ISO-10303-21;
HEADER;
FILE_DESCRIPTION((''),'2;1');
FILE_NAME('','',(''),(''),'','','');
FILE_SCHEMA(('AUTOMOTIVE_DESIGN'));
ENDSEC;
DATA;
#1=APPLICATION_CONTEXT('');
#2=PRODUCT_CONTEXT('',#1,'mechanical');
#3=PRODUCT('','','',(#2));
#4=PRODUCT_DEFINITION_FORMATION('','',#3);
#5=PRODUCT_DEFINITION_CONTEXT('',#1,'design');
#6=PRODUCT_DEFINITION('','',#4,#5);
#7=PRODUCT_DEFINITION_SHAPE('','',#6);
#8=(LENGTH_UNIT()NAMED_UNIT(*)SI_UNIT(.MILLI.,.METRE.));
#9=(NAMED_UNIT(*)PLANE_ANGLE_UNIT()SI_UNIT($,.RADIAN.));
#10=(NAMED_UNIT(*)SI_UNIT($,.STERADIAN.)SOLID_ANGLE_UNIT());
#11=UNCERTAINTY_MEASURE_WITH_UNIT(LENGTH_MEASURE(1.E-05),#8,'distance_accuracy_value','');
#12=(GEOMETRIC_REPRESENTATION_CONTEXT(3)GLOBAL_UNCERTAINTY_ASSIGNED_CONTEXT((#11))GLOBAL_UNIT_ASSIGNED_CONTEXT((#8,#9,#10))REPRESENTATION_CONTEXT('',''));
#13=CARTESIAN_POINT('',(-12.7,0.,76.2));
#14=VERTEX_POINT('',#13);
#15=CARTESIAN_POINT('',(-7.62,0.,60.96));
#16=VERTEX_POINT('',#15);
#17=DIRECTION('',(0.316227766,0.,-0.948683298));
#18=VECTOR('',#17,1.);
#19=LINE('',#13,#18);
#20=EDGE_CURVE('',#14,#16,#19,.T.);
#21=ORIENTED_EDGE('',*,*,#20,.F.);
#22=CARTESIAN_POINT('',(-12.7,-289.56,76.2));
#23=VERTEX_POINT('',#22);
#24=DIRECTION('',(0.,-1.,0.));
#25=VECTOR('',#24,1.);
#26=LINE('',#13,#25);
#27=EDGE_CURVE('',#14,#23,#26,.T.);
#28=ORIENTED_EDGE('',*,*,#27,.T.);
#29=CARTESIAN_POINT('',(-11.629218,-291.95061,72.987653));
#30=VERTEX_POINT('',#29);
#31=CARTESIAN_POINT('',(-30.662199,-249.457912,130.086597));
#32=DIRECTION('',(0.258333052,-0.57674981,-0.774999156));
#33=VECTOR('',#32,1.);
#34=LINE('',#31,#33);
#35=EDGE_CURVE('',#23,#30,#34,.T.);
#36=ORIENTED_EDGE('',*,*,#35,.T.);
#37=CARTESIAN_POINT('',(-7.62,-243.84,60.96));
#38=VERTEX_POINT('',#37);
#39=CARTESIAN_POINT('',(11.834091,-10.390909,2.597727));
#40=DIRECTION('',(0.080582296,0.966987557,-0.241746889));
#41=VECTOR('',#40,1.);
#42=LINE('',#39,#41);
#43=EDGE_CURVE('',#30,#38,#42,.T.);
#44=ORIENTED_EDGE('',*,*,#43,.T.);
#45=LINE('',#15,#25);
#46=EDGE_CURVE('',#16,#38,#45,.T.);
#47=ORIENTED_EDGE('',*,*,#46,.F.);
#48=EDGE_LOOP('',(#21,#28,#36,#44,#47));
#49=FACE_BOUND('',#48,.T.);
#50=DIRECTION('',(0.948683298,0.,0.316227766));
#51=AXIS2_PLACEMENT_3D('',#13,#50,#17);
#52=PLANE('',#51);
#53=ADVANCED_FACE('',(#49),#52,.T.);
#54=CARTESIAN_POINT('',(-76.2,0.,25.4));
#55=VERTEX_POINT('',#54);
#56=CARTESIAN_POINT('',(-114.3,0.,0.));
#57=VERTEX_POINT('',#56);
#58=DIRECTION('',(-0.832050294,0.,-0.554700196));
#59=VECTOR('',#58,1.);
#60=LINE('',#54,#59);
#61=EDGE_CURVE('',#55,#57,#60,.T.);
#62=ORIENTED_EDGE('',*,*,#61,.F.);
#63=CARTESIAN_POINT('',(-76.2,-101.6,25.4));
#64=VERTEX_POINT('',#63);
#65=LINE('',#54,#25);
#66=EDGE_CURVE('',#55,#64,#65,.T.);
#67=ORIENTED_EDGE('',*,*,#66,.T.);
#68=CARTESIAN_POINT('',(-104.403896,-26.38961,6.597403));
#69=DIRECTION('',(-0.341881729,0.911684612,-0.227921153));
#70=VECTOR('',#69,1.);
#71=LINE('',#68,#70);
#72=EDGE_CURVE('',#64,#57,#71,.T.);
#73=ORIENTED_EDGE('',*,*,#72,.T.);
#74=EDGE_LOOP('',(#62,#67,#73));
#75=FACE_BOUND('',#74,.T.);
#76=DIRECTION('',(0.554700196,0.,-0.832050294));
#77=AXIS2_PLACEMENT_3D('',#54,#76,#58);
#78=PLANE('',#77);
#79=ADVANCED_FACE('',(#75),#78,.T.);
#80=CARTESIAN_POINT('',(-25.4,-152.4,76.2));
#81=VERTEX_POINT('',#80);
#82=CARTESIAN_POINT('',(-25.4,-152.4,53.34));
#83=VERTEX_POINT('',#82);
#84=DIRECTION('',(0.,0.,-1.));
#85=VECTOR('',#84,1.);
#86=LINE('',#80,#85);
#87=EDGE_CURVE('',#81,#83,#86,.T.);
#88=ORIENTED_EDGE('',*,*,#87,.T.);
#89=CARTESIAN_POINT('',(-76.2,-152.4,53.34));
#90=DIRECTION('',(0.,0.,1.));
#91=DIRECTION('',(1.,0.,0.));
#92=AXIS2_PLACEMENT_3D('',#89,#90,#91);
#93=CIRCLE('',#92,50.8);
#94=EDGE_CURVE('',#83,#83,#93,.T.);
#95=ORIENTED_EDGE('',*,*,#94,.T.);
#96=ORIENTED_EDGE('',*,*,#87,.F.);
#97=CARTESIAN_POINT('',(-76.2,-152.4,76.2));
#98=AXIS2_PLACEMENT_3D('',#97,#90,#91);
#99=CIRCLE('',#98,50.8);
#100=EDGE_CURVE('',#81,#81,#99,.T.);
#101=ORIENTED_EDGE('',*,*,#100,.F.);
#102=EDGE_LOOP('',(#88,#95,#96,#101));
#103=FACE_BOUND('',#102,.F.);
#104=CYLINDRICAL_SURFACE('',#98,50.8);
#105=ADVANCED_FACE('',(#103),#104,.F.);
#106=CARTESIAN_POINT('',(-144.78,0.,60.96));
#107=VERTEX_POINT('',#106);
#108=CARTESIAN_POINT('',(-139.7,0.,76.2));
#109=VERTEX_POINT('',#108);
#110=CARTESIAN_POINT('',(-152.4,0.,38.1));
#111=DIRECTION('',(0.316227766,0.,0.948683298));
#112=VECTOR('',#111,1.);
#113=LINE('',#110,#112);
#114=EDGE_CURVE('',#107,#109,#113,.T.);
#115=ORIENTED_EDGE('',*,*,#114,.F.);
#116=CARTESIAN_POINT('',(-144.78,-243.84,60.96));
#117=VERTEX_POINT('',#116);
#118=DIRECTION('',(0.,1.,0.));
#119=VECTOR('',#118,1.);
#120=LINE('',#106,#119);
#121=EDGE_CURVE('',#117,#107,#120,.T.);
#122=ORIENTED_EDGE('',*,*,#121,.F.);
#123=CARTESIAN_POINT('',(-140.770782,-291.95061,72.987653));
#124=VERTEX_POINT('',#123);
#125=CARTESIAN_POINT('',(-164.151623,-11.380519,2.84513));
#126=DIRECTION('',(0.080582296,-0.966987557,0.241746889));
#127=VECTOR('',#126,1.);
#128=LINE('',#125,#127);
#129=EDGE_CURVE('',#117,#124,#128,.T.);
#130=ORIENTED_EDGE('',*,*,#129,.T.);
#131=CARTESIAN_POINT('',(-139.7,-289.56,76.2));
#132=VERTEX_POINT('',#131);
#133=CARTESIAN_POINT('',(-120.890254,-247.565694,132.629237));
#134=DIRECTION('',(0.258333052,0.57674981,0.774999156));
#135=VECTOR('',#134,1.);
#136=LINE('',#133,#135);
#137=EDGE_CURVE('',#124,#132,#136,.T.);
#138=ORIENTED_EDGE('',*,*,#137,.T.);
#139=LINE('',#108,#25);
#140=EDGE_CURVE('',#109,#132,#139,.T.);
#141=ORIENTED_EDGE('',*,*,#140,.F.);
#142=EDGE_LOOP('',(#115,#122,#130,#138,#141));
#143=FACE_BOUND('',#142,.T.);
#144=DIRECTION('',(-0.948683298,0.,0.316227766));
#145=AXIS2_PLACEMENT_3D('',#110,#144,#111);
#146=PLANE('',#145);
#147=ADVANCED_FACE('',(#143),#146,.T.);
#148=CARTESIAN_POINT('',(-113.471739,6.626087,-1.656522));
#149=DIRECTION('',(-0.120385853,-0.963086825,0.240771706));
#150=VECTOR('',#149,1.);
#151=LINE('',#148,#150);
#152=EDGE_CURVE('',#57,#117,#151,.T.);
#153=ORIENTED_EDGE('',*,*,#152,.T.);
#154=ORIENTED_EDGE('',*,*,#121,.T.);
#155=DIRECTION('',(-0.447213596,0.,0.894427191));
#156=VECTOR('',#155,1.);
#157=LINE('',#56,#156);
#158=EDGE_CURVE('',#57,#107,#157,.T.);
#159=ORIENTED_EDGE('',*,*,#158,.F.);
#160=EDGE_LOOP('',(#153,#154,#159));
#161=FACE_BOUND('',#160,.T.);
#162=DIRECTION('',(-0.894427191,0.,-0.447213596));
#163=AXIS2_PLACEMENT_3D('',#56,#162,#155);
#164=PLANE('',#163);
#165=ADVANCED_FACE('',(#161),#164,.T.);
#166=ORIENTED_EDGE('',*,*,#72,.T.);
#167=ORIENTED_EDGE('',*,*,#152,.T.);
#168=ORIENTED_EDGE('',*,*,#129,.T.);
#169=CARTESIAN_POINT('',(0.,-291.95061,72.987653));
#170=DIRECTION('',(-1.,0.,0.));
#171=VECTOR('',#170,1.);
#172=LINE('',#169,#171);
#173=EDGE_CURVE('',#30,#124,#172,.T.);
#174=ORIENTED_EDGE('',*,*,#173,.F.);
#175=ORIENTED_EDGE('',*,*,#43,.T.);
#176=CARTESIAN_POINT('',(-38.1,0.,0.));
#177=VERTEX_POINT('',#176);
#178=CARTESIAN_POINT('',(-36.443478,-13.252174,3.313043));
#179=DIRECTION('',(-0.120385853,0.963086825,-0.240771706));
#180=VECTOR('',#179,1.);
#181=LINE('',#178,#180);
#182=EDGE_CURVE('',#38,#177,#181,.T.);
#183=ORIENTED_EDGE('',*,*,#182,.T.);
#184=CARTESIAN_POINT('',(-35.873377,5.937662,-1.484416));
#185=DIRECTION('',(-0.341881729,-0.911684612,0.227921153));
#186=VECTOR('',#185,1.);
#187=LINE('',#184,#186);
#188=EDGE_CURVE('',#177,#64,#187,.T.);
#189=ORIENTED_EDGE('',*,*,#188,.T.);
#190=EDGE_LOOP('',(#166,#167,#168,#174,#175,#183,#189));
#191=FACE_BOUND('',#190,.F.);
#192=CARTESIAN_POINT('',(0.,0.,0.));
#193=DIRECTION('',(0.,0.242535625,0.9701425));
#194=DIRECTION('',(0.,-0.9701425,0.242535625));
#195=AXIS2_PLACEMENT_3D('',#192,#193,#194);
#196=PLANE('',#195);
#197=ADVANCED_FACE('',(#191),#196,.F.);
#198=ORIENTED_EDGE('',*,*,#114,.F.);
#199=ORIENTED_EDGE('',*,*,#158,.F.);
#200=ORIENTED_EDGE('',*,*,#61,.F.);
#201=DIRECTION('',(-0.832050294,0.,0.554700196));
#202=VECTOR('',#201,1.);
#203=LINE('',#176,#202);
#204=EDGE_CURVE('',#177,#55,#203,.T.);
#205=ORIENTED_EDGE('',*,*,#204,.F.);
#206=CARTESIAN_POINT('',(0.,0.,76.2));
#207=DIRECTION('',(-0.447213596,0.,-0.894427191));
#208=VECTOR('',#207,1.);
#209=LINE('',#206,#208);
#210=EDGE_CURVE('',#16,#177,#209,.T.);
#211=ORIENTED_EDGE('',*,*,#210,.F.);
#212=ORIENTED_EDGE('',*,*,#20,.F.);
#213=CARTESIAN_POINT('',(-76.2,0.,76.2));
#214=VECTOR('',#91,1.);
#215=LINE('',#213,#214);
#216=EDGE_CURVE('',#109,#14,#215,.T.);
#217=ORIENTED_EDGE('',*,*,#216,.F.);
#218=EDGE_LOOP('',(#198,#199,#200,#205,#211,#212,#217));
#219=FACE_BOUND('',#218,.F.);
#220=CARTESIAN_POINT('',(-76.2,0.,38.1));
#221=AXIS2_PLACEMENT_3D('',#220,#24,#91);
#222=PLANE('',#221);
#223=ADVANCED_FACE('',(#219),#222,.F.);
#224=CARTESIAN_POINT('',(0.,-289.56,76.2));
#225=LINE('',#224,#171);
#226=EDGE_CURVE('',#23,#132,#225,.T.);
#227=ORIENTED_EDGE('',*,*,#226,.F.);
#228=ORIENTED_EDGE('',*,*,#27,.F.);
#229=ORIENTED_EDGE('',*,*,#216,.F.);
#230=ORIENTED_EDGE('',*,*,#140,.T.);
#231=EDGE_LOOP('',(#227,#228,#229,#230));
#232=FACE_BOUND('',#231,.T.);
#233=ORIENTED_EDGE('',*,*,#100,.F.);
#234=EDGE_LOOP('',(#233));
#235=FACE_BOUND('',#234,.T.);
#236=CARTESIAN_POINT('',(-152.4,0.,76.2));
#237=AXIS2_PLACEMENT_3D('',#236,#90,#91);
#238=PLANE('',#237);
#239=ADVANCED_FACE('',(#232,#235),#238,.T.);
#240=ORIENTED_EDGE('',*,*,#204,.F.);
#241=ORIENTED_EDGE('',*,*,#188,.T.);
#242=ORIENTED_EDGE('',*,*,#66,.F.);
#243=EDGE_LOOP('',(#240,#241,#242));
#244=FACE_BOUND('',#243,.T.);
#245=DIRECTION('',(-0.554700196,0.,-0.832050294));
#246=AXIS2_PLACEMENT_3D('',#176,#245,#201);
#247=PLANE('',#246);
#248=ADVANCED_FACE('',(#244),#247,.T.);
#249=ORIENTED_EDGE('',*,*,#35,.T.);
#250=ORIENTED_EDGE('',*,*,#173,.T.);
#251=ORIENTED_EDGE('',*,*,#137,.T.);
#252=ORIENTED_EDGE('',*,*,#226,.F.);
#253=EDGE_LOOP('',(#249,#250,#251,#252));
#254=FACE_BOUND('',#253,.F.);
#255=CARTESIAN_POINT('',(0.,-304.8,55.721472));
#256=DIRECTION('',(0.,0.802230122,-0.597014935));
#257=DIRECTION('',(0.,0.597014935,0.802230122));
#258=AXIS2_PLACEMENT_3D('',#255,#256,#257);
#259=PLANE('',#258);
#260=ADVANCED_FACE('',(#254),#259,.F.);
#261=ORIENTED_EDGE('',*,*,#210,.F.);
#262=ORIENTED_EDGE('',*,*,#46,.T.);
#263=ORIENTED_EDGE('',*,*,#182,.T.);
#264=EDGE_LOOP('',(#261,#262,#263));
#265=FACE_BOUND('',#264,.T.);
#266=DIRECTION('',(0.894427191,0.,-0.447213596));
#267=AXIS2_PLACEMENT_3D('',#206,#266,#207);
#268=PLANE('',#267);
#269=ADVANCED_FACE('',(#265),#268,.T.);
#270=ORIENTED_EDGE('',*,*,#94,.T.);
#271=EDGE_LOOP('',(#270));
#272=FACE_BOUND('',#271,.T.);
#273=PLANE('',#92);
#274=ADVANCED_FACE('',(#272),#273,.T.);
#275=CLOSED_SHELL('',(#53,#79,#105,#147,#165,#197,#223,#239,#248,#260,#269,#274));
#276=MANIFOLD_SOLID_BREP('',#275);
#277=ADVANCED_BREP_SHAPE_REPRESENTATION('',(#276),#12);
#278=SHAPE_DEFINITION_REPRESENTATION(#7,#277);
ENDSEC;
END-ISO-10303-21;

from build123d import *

# Parameters (mm, degrees)
F0_W      = 152.4
F0_H      = 76.2
F1_DEPTH  = 304.8
F3_DEPTH  = 304.8
F5_DEPTH  = 304.8
F7_DEPTH  = 304.8
F9_DEPTH  = 304.8
F11_DEPTH = 304.8
F13_DEPTH = 304.8
F15_DEPTH = 304.8
F16_R     = 50.8
F17_DEPTH = 22.86


with BuildPart() as f1:
    # F0 (on Front) → F1 (new body)
    with BuildSketch(Plane.XZ):
        with Locations((-76.2, 38.1)):
            Rectangle(F0_W, F0_H)
    extrude(amount=F1_DEPTH)

    # F2 (on Right) → F3 (cut)
    with BuildSketch(Plane.YZ):
        Polygon((-304.8, 0), (0, 0), (-304.8, 76.2), align=None)
    extrude(amount=-F3_DEPTH, mode=Mode.SUBTRACT)

    # F4 (on Front) → F5 (cut)
    with BuildSketch(Plane.XZ):
        Polygon((-38.1, 0), (0, 0), (0, 76.2), align=None)
    extrude(amount=F5_DEPTH, mode=Mode.SUBTRACT)

    # F6 (on Front) → F7 (cut)
    with BuildSketch(Plane.XZ):
        Polygon((-152.4, 0), (-114.3, 0), (-152.4, 76.2), align=None)
    extrude(amount=F7_DEPTH, mode=Mode.SUBTRACT)

    # F8 (on Right) → F9 (cut)
    with BuildSketch(Plane.YZ):
        Polygon((-304.8, 76.2), (-304.8, 55.721472), (-289.56, 76.2), align=None)
    extrude(amount=-F9_DEPTH, mode=Mode.SUBTRACT)

    # F10 (on Front) → F11 (cut)
    with BuildSketch(Plane.XZ):
        Polygon((-12.7, 76.2), (0, 38.1), (0, 76.2), align=None)
    extrude(amount=F11_DEPTH, mode=Mode.SUBTRACT)

    # F12 (on Front) → F13 (cut)
    with BuildSketch(Plane.XZ):
        Polygon((-152.4, 76.2), (-152.4, 38.1), (-139.7, 76.2), align=None)
    extrude(amount=F13_DEPTH, mode=Mode.SUBTRACT)

    # F14 (on Front) → F15 (cut)
    with BuildSketch(Plane.XZ):
        Polygon((-76.2, 0), (-38.1, 0), (-76.2, 25.4), align=None)
        Polygon((-114.3, 0), (-76.2, 0), (-76.2, 25.4), align=None)
    extrude(amount=F15_DEPTH, mode=Mode.SUBTRACT)

    # F16 (on face) → F17 (cut)
    with BuildSketch(Plane.XY.offset(76.2)):
        with Locations((-76.2, -152.4)):
            Circle(F16_R)
    extrude(amount=-F17_DEPTH, mode=Mode.SUBTRACT)


solid = f1.part
